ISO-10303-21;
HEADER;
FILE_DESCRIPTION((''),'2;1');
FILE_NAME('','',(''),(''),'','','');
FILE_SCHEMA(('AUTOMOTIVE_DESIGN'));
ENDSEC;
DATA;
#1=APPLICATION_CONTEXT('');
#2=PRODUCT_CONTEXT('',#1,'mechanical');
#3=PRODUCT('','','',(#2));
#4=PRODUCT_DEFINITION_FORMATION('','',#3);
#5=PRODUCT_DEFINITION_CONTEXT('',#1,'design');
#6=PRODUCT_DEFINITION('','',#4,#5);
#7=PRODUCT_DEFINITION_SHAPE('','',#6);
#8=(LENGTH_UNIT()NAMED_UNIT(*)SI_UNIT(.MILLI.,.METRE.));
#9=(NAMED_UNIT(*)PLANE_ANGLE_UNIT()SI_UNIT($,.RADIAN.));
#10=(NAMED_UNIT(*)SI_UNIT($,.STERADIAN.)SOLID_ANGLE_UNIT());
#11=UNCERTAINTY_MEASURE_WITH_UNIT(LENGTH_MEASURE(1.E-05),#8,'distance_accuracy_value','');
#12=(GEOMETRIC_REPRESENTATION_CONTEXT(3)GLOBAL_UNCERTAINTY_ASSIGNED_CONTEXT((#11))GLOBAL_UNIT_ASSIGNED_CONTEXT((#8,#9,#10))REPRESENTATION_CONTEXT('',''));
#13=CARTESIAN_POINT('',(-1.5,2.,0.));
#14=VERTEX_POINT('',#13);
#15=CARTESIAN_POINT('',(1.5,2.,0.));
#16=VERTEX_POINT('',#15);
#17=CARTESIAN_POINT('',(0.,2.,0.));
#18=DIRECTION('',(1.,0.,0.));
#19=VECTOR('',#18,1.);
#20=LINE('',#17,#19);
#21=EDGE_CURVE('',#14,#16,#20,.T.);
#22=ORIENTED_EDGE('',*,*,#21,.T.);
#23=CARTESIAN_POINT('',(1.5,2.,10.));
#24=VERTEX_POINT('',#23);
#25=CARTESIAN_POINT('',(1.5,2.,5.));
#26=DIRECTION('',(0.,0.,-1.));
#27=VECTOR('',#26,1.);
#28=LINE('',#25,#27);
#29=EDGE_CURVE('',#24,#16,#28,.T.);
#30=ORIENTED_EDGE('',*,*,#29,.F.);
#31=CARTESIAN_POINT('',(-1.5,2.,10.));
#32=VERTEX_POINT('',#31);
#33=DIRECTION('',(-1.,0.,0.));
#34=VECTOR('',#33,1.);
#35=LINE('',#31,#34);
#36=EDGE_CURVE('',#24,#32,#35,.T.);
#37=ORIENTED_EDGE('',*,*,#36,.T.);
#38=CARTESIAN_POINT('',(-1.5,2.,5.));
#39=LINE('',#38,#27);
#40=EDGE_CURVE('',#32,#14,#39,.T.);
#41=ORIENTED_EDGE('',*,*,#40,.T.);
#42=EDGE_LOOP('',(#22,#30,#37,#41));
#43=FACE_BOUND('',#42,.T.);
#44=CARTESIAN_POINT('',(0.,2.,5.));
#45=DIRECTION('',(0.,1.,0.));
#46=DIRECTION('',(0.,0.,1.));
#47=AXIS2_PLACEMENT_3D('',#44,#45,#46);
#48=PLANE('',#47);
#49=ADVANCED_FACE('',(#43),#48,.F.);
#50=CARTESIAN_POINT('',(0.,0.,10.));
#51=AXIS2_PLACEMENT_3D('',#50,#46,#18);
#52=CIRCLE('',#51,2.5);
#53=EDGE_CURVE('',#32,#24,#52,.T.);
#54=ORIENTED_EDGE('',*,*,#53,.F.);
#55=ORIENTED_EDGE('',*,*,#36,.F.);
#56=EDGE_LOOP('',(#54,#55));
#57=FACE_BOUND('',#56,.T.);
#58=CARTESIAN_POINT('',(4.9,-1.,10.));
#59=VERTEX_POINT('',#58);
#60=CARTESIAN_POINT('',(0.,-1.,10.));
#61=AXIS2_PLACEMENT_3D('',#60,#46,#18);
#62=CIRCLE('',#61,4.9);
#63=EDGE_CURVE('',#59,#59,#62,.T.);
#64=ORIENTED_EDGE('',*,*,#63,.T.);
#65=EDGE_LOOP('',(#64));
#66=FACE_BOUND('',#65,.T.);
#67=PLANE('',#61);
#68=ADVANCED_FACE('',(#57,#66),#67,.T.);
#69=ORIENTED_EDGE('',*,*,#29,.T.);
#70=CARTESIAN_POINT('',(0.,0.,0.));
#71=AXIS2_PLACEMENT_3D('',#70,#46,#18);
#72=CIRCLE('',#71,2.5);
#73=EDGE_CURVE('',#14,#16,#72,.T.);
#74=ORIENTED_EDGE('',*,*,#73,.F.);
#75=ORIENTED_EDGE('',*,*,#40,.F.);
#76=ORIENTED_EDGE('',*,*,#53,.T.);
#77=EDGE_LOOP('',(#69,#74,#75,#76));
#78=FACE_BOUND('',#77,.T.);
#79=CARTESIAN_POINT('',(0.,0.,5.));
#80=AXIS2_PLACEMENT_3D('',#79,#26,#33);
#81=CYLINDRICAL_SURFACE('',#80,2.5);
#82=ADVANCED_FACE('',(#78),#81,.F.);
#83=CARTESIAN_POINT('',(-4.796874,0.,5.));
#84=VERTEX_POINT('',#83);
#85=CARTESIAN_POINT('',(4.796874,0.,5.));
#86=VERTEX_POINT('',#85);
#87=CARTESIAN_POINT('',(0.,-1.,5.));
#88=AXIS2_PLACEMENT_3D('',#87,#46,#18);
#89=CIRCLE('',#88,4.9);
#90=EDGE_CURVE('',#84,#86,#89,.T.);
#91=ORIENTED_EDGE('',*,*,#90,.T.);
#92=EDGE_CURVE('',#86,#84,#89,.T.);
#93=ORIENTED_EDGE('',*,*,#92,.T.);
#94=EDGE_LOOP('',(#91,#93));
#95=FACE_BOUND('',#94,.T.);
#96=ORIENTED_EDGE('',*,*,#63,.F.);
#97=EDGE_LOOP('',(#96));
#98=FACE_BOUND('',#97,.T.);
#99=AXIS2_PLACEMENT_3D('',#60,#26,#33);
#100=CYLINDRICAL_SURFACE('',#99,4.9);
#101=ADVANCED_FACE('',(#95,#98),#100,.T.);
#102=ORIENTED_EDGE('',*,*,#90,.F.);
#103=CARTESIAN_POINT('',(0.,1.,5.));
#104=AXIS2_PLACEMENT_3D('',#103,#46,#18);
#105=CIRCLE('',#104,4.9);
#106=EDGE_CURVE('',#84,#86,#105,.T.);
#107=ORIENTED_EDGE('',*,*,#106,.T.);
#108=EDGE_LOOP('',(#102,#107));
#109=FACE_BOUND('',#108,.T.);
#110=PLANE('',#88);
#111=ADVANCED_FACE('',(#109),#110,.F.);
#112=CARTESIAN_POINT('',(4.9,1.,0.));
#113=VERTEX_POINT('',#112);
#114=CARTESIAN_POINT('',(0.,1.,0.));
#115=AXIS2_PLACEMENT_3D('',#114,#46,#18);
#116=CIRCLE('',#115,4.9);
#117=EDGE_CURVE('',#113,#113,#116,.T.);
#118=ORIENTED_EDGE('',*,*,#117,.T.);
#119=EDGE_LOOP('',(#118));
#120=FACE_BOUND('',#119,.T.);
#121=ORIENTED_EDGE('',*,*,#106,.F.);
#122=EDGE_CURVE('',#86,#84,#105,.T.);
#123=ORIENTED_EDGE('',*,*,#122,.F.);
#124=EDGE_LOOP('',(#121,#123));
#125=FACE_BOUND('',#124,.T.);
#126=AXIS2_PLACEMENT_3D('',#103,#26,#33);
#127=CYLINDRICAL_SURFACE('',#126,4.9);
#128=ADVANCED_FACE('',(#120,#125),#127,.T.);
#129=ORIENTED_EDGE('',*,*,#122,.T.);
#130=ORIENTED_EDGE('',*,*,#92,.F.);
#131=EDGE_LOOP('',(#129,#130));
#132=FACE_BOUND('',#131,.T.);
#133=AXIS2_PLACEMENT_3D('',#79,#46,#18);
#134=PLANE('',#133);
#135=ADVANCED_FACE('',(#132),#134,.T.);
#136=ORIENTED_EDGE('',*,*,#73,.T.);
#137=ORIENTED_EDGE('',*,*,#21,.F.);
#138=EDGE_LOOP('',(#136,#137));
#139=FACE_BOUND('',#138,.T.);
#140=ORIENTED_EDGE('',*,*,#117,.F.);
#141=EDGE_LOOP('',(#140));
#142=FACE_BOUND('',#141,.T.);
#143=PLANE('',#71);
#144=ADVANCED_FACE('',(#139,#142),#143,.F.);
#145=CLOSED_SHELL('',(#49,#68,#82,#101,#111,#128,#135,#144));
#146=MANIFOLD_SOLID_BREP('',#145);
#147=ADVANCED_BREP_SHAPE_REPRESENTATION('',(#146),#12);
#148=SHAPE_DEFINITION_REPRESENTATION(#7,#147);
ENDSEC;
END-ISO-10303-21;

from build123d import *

# Parameters (mm, degrees)
ESQUISSE1_R        = 4.9
BOSS_EXTRU_1_DEPTH = 5
ESQUISSE2_R        = 4.9
BOSS_EXTRU_2_DEPTH = 5


with BuildPart() as part:
    # Esquisse1 → Boss.-Extru.1 (new body)
    with BuildSketch(Plane.XY):
        with Locations((0, 1)):
            Circle(ESQUISSE1_R)
        with BuildLine():
            Line((-1.5, 2), (1.5, 2))
            ThreePointArc((1.5, 2), (0, -2.5), (-1.5, 2))
        make_face(mode=Mode.SUBTRACT)
    extrude(amount=BOSS_EXTRU_1_DEPTH)

    # Esquisse2 → Boss.-Extru.2 (add)
    with BuildSketch(Plane.XY.offset(5)):
        with Locations(Location((0, -1, 0), (0, 0, 168.224256014))):
            Circle(ESQUISSE2_R)
        with BuildLine():
            Line((-1.5, 2), (1.5, 2))
            ThreePointArc((1.5, 2), (0, -2.5), (-1.5, 2))
        make_face(mode=Mode.SUBTRACT)
    extrude(amount=BOSS_EXTRU_2_DEPTH)


solid = part.part
